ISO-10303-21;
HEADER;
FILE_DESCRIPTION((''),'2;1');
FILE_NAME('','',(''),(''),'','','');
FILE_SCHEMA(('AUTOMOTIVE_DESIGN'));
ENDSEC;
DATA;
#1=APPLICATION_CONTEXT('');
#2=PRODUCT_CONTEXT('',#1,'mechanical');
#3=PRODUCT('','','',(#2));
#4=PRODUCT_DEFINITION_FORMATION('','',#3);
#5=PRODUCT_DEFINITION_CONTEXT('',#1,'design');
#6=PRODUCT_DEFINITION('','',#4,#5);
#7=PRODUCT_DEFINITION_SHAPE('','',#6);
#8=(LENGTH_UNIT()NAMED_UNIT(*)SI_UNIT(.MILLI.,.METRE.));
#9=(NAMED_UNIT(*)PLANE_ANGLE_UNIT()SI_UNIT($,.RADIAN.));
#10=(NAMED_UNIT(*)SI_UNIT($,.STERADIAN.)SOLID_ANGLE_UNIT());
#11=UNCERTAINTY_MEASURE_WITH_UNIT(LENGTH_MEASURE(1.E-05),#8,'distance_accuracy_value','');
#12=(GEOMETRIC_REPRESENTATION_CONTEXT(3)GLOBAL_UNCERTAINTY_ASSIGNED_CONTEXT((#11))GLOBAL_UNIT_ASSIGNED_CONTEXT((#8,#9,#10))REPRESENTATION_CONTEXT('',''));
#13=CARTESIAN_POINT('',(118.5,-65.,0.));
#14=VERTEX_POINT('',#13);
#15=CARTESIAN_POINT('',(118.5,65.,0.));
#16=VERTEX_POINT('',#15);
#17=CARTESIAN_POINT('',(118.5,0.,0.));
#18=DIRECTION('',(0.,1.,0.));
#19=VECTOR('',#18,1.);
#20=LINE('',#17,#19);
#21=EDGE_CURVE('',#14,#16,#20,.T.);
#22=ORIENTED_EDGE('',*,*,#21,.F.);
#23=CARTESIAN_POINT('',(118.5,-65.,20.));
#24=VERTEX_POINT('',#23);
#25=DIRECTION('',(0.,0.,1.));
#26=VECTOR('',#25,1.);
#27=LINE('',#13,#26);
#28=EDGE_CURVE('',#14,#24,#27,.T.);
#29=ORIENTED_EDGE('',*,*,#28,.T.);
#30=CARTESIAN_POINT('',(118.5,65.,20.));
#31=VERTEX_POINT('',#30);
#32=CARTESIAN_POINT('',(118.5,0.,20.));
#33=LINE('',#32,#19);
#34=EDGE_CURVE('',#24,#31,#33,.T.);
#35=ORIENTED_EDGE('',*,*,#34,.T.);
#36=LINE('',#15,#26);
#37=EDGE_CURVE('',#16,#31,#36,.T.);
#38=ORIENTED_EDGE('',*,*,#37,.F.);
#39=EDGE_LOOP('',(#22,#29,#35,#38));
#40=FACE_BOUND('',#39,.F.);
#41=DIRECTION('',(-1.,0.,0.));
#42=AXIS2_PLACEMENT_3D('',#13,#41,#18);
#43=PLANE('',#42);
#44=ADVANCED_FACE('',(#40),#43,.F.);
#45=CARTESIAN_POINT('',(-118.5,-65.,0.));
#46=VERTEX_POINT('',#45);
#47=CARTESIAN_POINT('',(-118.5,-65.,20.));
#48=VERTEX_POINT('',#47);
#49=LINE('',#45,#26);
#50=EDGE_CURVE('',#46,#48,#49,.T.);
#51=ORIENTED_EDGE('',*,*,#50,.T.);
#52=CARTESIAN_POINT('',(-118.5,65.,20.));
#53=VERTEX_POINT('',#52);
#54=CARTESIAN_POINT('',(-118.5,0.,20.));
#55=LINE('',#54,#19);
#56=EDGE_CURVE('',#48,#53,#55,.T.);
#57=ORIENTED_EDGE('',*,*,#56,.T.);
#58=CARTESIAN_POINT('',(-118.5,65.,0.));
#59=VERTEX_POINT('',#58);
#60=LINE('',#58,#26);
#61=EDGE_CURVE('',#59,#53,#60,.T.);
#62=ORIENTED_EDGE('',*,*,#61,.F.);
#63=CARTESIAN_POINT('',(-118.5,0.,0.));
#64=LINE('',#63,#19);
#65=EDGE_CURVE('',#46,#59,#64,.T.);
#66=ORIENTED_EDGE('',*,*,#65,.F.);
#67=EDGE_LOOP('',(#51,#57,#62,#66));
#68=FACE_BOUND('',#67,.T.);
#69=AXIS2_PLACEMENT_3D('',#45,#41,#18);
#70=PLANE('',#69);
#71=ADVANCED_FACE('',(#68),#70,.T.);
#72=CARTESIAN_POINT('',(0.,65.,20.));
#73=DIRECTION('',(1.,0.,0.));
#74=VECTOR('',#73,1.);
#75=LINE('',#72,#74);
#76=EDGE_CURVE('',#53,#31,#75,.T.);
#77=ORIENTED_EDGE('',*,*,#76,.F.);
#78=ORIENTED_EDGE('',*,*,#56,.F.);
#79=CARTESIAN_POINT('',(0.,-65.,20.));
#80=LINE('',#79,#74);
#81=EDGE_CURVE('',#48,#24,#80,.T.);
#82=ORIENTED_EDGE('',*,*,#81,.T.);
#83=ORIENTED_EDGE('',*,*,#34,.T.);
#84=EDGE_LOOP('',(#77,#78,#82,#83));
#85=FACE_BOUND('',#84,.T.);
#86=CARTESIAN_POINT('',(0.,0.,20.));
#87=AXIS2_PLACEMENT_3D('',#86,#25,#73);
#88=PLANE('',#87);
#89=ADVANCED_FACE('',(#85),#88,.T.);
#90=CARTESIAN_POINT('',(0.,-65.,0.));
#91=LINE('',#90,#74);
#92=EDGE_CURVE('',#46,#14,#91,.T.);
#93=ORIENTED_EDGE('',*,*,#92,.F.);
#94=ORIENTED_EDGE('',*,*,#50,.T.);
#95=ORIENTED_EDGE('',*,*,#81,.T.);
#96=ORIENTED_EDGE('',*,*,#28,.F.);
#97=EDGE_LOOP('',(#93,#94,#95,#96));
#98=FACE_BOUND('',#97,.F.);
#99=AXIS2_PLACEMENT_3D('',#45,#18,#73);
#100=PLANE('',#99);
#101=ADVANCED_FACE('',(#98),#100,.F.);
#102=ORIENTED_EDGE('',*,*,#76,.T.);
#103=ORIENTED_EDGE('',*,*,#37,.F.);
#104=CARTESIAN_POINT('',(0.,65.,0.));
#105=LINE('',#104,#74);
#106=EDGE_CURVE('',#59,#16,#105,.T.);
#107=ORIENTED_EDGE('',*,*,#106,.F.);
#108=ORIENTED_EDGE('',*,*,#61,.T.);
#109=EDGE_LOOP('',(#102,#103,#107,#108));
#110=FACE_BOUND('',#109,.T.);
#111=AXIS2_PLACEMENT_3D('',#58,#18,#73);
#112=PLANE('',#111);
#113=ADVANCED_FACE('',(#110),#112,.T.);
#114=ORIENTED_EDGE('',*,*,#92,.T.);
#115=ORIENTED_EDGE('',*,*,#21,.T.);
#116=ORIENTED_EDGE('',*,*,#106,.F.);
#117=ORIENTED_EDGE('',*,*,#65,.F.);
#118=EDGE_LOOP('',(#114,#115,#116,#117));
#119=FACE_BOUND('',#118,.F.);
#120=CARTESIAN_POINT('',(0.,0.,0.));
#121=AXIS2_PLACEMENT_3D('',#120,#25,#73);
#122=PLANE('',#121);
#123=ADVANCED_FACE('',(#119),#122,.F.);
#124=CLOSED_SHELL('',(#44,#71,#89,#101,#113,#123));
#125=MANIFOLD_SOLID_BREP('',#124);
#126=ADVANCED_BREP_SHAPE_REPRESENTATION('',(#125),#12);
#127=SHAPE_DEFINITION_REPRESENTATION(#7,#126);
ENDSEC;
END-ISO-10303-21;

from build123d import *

# Parameters (mm, degrees)
SKETCH_W      = 237
SKETCH_H      = 130
EXTRUDE_DEPTH = 20


with BuildPart() as part:
    # Sketch → Extrude (new body)
    with BuildSketch(Plane.XY):
        Rectangle(SKETCH_W, SKETCH_H)
    extrude(amount=EXTRUDE_DEPTH)


solid = part.part
